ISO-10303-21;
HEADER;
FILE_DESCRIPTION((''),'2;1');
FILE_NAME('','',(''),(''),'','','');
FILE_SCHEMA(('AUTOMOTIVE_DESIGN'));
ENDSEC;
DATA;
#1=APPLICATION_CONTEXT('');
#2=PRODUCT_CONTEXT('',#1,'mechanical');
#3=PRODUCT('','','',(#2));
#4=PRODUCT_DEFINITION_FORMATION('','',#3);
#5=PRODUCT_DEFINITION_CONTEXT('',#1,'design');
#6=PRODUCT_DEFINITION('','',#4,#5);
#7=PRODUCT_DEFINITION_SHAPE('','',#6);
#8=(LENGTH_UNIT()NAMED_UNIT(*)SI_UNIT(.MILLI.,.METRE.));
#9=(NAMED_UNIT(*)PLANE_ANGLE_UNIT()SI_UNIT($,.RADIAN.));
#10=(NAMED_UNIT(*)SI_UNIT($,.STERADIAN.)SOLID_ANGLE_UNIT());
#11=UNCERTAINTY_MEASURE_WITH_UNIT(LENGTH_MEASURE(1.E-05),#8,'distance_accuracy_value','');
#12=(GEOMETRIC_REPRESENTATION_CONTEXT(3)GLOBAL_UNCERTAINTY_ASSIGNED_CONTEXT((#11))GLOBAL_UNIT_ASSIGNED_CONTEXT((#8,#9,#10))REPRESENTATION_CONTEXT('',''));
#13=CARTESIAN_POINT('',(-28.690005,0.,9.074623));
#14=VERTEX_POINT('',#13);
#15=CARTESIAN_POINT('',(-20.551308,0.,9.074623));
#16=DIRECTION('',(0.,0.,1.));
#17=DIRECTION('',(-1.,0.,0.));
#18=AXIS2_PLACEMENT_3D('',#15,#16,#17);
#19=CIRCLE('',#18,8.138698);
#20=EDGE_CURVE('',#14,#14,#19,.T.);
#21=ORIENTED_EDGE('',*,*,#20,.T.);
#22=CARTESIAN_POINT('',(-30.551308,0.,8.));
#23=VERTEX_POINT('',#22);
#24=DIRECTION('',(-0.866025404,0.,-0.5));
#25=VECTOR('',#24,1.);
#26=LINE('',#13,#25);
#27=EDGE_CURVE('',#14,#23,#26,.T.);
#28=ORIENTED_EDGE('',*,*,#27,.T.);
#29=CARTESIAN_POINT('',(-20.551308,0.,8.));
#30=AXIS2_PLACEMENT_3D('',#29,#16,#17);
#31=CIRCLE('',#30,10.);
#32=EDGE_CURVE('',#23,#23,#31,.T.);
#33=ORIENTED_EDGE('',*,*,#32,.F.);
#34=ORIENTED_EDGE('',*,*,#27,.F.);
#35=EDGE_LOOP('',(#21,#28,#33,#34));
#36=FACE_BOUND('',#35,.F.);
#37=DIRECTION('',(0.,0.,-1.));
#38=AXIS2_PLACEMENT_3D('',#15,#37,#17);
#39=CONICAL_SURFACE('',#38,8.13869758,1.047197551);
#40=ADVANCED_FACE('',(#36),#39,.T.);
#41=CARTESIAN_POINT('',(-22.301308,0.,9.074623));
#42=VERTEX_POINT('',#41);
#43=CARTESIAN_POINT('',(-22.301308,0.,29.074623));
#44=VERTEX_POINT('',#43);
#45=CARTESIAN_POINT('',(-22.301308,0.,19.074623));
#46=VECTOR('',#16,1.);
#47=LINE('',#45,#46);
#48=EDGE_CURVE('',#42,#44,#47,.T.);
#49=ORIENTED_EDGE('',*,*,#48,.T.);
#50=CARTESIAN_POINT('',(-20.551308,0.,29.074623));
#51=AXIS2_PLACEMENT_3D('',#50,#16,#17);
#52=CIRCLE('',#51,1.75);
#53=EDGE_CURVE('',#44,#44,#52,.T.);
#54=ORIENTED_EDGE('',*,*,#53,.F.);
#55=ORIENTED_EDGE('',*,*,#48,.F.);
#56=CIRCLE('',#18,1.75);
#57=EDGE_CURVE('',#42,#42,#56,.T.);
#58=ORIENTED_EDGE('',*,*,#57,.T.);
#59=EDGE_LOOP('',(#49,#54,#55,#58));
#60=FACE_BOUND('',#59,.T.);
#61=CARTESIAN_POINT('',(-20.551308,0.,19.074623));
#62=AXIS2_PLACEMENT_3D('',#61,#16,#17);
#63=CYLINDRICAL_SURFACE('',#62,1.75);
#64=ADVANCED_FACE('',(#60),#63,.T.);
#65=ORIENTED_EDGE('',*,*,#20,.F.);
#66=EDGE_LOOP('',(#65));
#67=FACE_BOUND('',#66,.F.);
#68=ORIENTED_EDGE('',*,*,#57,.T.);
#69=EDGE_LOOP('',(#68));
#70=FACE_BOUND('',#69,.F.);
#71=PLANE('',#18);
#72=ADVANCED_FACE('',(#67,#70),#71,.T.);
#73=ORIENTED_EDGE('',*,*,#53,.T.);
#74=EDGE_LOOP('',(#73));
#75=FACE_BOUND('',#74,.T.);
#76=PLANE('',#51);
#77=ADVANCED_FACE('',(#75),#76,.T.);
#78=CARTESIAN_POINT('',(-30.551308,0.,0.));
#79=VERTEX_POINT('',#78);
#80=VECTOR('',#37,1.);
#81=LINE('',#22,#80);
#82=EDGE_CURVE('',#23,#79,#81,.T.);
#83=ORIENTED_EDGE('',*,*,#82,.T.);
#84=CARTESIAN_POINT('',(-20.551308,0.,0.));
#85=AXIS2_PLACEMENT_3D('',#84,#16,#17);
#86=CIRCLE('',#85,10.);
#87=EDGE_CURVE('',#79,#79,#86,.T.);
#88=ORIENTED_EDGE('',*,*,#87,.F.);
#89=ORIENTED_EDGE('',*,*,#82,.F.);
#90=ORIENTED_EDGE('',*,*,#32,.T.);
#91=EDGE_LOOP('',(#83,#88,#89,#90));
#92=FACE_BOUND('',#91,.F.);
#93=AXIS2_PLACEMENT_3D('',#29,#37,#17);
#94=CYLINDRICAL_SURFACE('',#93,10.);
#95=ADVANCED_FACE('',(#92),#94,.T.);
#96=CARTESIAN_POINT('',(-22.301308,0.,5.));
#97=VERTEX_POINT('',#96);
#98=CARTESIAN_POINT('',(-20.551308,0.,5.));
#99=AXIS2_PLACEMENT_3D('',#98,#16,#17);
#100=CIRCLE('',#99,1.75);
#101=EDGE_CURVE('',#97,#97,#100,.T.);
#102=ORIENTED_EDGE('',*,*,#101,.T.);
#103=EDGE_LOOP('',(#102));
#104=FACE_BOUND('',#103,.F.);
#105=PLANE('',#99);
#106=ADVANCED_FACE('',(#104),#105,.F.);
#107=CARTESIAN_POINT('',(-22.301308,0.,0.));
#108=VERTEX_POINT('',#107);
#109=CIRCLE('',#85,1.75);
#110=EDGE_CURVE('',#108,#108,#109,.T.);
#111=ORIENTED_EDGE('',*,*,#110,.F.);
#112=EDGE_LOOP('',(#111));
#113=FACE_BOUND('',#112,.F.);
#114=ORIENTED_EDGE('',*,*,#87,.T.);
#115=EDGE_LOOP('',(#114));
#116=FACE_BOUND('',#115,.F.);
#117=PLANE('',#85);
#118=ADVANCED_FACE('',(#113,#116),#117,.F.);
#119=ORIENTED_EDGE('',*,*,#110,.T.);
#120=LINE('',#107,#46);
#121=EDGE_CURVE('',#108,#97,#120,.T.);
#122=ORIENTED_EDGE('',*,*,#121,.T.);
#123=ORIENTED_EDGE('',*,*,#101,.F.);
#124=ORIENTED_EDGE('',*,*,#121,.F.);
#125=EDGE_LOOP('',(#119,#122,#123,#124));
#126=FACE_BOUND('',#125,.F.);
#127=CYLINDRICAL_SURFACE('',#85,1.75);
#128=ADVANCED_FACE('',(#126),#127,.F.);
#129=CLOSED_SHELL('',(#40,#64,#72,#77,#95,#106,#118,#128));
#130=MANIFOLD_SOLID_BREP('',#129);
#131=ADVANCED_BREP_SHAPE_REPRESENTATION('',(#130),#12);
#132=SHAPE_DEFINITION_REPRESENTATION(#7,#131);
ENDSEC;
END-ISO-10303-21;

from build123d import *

# Parameters (mm, degrees)
F0_W   = 1.75
F0_H   = 20
F0_H_2 = 3
F0_H_3 = 1.0746234533


with BuildPart() as f1:
    # F0 (on Front) → F1 (revolve)
    with BuildSketch(Plane.XZ):
        with Locations((-21.4263077103, 19.0746234533)):
            Rectangle(F0_W, F0_H)
        Polygon((-22.3013077103, 8), (-30.5513077103, 8), (-30.5513077103, 0), (-22.3013077103, 0), (-22.3013077103, 5), align=None)
        Polygon((-28.6900052902, 9.0746234533), (-30.5513077103, 8), (-22.3013077103, 8), (-22.3013077103, 9.0746234533), align=None)
        with Locations((-21.4263077103, 6.5)):
            Rectangle(F0_W, F0_H_2)
        with Locations((-21.4263077103, 8.5373117267)):
            Rectangle(F0_W, F0_H_3)
    revolve(axis=Axis((-20.5513077103, 0, 19.0746234533), (0, 0, 1)))


solid = f1.part
